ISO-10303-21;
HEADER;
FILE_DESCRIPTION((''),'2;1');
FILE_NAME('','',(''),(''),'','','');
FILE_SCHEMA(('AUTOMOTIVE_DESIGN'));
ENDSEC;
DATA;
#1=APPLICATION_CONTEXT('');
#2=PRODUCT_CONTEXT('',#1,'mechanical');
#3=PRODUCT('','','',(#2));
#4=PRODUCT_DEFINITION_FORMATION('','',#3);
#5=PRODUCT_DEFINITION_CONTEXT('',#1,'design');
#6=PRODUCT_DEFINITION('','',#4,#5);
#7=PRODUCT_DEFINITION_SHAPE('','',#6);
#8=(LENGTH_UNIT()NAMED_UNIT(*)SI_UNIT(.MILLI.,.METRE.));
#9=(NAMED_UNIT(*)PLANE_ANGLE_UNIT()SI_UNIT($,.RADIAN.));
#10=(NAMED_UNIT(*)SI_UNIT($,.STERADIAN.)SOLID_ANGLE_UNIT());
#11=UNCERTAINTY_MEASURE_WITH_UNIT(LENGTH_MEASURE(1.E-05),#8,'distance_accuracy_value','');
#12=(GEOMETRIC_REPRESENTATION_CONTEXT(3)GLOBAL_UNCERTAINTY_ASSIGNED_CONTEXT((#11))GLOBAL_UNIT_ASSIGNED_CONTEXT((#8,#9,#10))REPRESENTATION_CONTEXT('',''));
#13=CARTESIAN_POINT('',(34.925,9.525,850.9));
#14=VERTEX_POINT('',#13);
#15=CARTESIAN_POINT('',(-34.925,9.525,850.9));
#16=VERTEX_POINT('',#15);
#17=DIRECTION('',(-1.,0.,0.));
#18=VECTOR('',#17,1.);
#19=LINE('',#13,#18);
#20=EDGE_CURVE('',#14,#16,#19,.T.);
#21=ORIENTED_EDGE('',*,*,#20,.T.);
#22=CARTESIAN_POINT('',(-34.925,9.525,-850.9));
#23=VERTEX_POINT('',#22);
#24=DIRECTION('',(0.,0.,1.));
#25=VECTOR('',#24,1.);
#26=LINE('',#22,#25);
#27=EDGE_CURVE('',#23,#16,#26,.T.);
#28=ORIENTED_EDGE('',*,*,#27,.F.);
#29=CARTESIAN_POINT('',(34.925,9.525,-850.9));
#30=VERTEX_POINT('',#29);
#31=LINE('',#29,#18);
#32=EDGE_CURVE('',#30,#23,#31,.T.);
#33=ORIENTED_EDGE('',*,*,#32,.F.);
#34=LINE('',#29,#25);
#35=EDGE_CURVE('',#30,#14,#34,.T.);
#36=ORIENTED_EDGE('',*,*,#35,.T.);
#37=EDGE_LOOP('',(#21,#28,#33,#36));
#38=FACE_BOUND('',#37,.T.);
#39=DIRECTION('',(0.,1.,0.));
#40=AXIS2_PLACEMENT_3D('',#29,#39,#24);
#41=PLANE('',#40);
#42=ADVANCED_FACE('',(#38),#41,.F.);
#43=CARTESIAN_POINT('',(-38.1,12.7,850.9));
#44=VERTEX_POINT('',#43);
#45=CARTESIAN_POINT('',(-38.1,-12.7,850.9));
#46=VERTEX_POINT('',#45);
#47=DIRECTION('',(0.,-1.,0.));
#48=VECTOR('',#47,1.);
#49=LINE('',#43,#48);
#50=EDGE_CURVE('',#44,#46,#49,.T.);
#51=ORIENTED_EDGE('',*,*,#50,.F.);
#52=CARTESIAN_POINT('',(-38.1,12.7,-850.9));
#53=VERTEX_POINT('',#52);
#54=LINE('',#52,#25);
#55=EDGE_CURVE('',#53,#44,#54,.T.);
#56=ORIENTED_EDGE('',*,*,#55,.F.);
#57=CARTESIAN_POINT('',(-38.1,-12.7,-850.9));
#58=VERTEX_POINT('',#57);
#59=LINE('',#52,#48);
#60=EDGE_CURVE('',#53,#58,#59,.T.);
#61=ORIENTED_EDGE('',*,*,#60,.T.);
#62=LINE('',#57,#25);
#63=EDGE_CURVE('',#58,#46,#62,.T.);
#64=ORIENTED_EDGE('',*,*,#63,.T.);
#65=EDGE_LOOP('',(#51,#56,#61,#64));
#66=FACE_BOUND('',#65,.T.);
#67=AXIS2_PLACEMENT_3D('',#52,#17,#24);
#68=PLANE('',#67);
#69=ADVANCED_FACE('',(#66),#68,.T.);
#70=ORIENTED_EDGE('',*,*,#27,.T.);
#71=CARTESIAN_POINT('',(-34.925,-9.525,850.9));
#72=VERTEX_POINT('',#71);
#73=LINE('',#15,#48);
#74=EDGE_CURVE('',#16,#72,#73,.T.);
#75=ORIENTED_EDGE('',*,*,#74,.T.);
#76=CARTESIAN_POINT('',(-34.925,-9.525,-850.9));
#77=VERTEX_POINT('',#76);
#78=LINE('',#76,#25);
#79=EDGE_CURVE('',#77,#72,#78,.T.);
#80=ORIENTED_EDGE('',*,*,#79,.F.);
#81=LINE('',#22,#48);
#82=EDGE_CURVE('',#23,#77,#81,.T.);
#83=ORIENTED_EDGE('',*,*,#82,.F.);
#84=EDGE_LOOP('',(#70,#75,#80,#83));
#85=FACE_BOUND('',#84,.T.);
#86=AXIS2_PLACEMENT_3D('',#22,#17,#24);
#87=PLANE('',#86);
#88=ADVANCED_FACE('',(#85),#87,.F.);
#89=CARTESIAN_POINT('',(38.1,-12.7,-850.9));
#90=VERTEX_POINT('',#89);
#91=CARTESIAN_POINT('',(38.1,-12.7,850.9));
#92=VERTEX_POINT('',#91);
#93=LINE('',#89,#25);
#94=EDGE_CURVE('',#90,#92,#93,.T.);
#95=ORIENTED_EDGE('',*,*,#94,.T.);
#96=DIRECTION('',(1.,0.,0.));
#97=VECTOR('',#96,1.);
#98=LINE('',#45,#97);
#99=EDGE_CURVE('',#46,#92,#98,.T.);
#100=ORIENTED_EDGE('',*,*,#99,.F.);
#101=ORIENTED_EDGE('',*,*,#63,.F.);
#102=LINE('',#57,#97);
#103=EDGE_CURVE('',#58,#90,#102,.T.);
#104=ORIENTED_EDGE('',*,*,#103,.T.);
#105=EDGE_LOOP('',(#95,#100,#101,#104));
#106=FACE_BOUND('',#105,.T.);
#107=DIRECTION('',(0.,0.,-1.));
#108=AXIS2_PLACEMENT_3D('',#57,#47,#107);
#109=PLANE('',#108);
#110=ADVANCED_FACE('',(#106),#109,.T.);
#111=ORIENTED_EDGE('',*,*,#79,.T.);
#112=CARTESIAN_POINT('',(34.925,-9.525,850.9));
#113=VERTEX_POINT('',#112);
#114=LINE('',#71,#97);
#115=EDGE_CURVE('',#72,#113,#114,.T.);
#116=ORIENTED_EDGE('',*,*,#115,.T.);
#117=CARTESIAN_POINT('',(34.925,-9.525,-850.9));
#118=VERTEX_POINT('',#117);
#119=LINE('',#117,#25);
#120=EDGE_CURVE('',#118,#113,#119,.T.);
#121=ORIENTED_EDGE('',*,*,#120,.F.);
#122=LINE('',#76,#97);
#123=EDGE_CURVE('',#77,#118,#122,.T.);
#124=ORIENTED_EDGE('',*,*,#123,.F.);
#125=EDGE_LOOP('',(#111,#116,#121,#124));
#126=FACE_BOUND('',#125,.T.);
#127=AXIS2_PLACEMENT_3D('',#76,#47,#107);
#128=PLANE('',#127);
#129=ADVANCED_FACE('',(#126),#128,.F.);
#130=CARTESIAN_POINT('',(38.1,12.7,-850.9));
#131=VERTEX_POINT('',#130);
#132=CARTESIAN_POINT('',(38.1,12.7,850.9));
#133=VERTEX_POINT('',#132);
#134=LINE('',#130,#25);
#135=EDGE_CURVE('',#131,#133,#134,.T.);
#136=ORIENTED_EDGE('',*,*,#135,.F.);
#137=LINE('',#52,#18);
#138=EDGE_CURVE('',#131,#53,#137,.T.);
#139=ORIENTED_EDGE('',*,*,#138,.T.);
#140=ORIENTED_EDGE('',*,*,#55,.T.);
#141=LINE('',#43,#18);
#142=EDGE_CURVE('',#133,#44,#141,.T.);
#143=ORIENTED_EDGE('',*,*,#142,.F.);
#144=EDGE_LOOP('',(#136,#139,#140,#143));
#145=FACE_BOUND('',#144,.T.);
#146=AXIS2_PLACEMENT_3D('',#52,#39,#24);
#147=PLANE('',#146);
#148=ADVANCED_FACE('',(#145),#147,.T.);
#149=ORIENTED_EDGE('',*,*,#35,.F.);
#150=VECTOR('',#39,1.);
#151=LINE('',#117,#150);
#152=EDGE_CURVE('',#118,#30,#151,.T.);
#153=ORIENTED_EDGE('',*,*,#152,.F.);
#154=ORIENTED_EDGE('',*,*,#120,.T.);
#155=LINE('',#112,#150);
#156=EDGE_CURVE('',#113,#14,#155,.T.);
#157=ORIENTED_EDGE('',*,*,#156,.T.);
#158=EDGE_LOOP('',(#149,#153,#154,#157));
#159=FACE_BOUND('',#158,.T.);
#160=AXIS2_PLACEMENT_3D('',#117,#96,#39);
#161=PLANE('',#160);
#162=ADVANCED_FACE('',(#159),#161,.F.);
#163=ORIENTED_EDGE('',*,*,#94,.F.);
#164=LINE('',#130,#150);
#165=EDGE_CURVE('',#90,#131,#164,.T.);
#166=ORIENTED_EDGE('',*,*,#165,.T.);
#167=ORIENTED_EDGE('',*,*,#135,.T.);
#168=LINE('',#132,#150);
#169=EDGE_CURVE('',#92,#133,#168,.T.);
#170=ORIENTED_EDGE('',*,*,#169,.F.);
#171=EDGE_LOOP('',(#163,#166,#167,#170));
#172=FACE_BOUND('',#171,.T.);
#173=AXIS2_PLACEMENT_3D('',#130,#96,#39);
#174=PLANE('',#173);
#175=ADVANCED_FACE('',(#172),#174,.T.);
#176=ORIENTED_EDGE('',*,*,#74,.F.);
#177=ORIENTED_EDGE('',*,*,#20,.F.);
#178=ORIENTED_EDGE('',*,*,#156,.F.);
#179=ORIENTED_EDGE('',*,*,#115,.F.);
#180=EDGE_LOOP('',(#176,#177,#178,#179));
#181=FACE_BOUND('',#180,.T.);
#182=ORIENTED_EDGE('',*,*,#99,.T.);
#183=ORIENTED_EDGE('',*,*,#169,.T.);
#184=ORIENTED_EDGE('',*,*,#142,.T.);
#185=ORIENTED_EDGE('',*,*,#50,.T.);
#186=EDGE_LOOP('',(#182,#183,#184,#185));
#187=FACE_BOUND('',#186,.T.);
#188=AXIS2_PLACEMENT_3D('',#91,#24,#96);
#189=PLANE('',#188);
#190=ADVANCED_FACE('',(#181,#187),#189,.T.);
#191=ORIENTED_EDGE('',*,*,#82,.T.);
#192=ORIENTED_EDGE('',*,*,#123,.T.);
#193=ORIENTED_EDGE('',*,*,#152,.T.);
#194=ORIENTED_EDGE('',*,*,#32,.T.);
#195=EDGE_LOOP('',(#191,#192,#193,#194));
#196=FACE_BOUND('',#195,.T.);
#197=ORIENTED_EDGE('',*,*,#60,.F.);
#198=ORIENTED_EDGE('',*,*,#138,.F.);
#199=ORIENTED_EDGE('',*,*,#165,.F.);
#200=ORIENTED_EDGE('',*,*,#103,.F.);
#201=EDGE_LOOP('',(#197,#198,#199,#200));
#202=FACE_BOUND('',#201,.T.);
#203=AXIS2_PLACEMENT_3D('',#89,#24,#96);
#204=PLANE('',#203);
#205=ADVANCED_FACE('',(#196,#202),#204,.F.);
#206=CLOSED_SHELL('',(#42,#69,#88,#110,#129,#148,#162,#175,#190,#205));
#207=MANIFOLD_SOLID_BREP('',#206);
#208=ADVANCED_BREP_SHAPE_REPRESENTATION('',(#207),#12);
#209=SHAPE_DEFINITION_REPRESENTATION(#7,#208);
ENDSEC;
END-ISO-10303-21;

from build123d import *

# Parameters (mm, degrees)
SKETCH1_W      = 76.2
SKETCH1_H      = 25.4
EXTRUDE1_DEPTH = 850.9
SKETCH2_W      = 69.85
SKETCH2_H      = 19.05
EXTRUDE2_DEPTH = 1703.273814637


with BuildPart() as part:
    # Sketch1 → Extrude1 (new, symmetric)
    with BuildSketch(Plane.XY):
        Rectangle(SKETCH1_W, SKETCH1_H)
    extrude(amount=EXTRUDE1_DEPTH, both=True)

    # Sketch2 → Extrude2 (cut, through all)
    with BuildSketch(Plane.XY.offset(850.9)):
        Rectangle(SKETCH2_W, SKETCH2_H)
    extrude(amount=-EXTRUDE2_DEPTH, mode=Mode.SUBTRACT)


solid = part.part
